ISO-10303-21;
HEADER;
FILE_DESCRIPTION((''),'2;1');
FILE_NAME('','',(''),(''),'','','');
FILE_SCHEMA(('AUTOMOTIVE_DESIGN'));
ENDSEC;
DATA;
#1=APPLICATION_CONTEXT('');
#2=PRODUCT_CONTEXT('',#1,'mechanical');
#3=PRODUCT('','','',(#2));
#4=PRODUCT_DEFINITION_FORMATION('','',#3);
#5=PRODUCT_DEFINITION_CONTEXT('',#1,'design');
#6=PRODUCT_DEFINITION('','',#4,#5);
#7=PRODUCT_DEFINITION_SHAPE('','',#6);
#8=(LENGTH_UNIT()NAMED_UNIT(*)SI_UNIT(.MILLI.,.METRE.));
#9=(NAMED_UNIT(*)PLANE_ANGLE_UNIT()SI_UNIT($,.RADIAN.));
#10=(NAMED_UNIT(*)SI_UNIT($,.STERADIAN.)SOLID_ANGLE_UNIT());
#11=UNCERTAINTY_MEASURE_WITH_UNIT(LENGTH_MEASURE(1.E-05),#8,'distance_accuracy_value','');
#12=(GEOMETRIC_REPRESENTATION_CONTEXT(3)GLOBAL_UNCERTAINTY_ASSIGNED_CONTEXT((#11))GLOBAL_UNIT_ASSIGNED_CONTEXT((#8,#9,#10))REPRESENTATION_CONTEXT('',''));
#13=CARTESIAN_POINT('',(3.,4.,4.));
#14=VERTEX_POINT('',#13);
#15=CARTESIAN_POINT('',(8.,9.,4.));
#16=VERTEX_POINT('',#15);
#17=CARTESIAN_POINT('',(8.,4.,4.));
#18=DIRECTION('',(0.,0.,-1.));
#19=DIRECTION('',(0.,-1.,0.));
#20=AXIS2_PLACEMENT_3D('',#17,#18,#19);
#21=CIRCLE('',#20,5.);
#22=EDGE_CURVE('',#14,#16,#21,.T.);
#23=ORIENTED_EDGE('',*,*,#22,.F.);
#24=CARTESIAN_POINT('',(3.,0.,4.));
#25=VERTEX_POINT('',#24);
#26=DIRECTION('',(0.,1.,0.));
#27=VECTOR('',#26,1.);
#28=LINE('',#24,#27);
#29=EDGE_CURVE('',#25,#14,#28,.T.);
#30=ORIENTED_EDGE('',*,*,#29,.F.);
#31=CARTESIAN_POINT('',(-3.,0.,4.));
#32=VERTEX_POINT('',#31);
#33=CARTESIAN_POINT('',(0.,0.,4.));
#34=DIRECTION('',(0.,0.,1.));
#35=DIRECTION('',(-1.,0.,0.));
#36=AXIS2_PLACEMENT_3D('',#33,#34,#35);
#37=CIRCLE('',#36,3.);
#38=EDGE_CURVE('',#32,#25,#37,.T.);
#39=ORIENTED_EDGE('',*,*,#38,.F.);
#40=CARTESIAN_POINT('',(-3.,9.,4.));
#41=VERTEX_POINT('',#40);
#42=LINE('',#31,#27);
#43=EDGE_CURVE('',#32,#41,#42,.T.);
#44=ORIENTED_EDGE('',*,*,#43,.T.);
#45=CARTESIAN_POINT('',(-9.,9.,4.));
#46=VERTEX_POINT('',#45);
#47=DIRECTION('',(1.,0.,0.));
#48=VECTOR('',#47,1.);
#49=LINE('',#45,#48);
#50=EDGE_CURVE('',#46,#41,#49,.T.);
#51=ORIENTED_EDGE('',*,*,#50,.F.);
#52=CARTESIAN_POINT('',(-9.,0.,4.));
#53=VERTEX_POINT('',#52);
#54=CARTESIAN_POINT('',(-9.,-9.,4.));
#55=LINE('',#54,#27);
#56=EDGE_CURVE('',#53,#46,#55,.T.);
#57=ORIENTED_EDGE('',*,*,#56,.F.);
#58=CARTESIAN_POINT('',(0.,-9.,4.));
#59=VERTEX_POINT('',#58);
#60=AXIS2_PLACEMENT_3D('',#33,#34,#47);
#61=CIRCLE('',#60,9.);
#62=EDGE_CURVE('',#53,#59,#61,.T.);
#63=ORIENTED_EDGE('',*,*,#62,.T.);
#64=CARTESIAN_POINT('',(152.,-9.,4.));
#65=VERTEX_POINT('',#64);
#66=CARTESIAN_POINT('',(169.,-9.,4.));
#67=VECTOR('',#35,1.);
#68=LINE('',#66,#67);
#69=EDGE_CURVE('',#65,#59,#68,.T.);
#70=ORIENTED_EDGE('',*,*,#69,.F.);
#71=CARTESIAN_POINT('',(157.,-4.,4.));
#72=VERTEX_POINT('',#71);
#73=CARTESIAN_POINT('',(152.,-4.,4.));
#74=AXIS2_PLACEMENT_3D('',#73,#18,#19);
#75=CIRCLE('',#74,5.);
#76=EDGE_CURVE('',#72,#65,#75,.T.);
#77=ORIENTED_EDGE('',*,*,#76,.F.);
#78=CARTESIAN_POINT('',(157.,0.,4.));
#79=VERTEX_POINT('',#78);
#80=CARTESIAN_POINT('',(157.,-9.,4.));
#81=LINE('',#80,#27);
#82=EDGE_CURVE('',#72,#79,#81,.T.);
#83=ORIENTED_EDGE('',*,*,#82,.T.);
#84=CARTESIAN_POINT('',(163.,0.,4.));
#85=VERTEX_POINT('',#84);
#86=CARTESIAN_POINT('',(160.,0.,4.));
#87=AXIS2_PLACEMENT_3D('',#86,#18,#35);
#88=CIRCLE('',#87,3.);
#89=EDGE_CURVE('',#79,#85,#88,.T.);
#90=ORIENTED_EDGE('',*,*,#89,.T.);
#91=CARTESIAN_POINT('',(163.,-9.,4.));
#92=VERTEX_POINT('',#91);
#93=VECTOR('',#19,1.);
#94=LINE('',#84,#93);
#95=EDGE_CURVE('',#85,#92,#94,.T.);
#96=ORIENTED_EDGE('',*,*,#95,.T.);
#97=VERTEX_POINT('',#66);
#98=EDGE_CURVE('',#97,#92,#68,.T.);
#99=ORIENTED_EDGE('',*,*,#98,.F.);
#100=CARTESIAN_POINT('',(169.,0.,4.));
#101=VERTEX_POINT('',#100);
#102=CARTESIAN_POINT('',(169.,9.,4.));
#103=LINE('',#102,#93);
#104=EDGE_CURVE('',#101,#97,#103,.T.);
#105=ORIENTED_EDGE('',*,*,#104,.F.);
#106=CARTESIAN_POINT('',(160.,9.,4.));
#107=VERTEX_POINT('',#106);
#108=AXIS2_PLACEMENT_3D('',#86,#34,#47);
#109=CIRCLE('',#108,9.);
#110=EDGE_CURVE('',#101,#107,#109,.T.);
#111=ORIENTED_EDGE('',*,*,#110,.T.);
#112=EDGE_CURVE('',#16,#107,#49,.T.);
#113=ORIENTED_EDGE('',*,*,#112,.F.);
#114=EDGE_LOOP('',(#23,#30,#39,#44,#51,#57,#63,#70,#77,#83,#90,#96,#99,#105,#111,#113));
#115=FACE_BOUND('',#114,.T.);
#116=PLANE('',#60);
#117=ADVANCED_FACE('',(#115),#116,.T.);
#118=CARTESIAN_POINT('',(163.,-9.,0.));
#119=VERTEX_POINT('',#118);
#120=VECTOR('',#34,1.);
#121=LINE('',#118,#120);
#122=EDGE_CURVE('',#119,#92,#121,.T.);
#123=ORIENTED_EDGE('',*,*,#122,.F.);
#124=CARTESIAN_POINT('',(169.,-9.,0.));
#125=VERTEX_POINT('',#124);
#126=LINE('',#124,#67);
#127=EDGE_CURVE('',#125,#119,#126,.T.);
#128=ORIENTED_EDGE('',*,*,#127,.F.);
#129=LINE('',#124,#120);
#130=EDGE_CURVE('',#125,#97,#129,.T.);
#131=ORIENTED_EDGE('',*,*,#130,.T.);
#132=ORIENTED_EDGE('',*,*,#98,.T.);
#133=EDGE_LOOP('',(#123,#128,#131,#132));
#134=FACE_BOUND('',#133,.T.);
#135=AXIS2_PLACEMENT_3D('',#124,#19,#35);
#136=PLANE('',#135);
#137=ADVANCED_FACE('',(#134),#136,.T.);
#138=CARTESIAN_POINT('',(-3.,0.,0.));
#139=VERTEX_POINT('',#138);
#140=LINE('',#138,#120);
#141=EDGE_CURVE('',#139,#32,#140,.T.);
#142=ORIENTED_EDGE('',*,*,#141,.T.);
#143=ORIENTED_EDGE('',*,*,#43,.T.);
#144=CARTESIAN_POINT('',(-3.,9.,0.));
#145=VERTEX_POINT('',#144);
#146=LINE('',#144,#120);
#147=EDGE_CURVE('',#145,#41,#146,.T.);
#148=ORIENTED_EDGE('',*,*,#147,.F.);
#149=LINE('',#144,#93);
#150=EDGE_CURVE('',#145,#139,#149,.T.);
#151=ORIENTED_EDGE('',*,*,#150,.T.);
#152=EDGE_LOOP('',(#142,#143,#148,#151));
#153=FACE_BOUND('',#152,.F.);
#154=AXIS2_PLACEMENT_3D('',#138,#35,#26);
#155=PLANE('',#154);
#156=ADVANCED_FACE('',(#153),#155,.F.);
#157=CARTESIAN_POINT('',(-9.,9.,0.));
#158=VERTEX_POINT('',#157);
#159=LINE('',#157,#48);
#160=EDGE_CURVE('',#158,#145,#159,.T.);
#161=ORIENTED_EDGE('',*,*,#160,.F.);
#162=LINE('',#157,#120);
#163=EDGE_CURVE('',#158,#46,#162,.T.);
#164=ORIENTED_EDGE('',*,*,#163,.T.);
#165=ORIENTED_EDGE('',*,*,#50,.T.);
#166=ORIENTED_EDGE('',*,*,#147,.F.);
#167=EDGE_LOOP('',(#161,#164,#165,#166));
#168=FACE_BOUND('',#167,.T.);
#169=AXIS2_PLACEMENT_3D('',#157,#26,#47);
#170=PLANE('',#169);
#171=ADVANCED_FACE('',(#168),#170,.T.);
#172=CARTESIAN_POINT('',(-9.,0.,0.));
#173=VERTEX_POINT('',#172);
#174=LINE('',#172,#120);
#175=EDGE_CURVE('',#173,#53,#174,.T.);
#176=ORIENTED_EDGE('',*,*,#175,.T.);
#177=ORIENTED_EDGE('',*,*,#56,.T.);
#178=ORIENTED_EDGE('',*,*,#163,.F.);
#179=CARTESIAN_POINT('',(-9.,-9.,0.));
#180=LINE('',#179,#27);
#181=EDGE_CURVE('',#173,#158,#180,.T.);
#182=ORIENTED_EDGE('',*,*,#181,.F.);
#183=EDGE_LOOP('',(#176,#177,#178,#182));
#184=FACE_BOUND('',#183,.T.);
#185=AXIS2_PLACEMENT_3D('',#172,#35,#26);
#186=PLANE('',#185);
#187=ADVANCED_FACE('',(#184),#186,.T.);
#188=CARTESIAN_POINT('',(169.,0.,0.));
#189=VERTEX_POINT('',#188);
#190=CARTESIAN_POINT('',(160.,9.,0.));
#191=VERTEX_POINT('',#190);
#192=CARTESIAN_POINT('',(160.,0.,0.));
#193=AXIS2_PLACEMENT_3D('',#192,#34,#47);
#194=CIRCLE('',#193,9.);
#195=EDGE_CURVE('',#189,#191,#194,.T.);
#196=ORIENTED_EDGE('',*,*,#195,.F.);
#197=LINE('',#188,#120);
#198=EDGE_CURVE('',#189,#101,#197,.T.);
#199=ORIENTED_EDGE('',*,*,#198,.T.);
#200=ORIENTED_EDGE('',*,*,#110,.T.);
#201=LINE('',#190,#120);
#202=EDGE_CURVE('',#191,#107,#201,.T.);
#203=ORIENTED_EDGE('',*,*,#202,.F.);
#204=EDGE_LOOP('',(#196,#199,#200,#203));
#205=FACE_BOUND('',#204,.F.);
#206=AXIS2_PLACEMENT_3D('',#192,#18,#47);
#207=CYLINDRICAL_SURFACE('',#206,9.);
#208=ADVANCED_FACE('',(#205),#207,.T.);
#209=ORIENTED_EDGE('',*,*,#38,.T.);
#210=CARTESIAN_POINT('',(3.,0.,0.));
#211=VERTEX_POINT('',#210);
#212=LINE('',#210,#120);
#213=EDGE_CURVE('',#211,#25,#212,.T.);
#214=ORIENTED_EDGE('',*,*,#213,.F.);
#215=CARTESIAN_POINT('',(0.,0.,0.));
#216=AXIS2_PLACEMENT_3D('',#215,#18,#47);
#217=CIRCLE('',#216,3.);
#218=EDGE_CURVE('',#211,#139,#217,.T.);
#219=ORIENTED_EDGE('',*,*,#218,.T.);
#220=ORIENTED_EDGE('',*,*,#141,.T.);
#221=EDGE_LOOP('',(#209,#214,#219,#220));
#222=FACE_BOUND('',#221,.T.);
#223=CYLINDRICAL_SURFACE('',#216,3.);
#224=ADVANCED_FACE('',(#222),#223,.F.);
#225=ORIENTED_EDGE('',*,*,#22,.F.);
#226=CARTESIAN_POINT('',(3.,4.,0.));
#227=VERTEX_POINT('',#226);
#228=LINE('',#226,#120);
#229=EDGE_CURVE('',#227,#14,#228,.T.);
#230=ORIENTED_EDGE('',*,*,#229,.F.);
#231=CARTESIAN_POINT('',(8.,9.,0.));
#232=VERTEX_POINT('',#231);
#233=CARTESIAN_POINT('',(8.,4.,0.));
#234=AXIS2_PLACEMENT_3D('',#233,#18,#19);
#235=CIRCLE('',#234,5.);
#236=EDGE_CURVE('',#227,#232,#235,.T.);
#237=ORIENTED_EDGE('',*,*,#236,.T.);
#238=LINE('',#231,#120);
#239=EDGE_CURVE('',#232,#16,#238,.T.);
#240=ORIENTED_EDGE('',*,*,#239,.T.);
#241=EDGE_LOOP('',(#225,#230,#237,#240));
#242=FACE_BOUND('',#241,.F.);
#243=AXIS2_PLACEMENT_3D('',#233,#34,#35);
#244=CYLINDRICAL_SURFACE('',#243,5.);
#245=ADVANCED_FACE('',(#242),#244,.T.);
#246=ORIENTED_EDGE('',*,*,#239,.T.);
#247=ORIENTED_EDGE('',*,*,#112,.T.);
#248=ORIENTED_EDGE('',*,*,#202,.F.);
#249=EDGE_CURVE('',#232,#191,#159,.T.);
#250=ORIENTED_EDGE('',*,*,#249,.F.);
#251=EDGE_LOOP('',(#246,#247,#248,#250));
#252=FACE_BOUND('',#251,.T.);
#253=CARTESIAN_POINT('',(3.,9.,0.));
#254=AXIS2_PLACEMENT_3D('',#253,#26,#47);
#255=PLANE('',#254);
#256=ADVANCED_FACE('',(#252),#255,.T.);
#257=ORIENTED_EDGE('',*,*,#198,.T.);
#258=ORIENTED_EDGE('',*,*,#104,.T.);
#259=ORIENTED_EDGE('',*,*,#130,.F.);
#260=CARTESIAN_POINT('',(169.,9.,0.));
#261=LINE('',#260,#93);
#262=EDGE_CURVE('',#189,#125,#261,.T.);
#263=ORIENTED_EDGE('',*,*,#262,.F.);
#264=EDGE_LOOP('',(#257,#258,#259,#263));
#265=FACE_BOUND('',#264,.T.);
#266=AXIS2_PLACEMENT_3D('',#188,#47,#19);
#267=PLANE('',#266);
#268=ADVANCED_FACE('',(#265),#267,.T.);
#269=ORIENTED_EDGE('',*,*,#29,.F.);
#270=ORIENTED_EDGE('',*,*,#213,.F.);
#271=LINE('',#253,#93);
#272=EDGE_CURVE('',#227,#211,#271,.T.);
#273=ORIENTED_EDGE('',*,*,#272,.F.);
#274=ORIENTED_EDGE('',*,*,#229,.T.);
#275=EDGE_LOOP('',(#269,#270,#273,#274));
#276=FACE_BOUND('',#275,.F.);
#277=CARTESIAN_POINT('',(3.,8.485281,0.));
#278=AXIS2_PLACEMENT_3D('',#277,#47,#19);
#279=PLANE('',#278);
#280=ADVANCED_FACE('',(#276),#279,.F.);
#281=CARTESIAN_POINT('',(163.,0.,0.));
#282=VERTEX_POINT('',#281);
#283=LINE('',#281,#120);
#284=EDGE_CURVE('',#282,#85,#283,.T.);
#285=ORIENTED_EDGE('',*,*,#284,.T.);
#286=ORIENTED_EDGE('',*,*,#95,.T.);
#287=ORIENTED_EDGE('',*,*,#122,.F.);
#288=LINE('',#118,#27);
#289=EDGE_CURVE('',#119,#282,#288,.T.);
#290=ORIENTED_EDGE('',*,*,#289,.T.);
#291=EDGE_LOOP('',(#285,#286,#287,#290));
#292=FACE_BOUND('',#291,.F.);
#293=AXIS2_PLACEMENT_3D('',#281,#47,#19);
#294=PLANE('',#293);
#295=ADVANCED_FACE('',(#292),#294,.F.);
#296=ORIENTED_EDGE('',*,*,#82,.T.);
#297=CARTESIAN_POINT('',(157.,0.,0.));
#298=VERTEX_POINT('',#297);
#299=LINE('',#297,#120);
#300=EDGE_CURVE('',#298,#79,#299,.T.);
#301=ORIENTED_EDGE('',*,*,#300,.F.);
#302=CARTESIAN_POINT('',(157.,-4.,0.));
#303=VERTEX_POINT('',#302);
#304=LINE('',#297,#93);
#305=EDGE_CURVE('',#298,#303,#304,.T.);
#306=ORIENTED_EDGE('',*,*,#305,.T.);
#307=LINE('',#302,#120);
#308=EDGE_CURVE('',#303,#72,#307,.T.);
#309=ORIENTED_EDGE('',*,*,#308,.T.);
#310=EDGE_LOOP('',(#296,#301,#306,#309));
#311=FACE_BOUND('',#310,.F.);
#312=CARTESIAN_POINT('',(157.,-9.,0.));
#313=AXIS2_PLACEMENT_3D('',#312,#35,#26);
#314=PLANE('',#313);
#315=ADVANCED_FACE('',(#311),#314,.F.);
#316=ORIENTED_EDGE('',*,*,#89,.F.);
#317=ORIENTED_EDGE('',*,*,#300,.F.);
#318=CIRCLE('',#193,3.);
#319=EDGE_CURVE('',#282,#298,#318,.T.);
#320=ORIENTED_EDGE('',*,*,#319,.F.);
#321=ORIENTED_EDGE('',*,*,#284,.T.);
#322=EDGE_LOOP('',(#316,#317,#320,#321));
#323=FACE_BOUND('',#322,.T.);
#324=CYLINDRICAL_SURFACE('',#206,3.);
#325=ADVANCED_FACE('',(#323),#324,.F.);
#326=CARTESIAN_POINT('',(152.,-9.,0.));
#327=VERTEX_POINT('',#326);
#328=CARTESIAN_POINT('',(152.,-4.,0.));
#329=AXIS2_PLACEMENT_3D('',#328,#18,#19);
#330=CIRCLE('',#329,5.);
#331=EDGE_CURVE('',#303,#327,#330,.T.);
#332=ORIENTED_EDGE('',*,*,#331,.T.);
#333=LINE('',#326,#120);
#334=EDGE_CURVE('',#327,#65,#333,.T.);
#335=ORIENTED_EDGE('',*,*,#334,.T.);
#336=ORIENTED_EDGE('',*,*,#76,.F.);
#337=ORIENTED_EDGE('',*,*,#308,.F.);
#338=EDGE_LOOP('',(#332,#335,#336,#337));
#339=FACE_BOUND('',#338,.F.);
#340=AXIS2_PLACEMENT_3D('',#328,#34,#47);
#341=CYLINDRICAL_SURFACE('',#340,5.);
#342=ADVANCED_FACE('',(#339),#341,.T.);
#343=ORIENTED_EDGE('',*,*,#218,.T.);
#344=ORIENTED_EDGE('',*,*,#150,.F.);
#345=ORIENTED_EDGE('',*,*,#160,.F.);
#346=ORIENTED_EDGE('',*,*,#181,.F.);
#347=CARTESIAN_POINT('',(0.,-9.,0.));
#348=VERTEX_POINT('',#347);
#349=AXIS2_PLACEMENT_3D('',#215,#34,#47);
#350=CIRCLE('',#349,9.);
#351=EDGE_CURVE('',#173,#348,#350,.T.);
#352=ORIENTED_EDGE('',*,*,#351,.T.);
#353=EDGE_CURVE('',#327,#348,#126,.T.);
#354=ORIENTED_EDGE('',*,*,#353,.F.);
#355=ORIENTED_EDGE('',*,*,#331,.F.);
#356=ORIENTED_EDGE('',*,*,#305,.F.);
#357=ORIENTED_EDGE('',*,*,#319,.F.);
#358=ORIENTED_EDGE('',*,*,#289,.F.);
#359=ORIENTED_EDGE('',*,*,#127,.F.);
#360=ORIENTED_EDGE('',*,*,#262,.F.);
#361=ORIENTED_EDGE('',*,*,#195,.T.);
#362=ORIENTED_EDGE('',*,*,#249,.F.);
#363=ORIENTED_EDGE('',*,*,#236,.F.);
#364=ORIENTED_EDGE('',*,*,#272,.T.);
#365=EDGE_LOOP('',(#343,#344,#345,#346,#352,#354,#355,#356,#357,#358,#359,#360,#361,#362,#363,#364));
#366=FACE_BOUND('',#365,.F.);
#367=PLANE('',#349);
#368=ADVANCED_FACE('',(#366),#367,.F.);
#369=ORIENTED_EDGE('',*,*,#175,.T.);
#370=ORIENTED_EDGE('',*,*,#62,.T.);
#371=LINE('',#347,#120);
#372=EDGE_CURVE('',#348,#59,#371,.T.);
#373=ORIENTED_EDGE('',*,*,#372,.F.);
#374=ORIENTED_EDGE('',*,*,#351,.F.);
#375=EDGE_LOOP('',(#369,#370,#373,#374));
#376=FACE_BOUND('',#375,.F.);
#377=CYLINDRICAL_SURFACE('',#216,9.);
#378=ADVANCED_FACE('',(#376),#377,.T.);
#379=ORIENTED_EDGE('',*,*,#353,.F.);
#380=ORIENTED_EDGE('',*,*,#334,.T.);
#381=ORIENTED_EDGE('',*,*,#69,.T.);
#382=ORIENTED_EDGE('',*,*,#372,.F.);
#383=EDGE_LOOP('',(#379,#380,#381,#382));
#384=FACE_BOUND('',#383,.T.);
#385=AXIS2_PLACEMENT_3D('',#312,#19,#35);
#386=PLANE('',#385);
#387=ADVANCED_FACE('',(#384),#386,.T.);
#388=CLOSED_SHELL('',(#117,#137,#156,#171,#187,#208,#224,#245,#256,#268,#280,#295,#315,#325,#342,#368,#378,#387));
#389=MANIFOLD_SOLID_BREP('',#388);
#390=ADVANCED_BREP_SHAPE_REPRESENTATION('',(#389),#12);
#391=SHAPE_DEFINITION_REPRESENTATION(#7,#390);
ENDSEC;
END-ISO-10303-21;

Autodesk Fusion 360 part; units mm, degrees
sketch "Sketch1" plane through (0, 0, 0) normal (0, 0, 1) x (1, 0, 0)
  line L0 (0, 0) -> (160, 0)
  circle A0 centre (0, 0) radius 3
  circle A1 centre (160, 0) radius 3
  circle A2 centre (0, 0) radius 9
  circle A3 centre (160, 0) radius 9
  line L1 (-9, 9) -> (169, 9)
  line L2 (169, 9) -> (169, -9)
  line L3 (169, -9) -> (-9, -9)
  line L4 (-9, -9) -> (-9, 9)
  line L5 (-3, 9) -> (3, 9)
  line L6 (3, 9) -> (3, -3)
  line L7 (3, -3) -> (-3, -3)
  line L8 (-3, -3) -> (-3, 9)
  line L9 (157, 3) -> (163, 3)
  line L10 (163, 3) -> (163, -9)
  line L11 (163, -9) -> (157, -9)
  line L12 (157, -9) -> (157, 3)
  dimension "d1" = 160
  dimension "d2" = 6
  dimension "d3" = 6
  dimension "d4" = 18
  dimension "d5" = 18
extrude "Extrude1" add sketch "Sketch1" along normal blind 4 contours L0 A2 L6 | A0 L6 L7 | L0 A2 L6 L7 L8 | L0 A2 A3 L1 L6 | L0 A2 A3 L3 L12 | A0 L7 L8 | L0 A3 L9 L10 L12 | L0 A3 L12 | A2 L1 L4 L8 | A1 L9 L12 | A1 L9 L10 | A3 L2 L3 L10
fillet "Fillet1" radius 5 2 edges at (157, -9, 2) (3, 9, 2)
